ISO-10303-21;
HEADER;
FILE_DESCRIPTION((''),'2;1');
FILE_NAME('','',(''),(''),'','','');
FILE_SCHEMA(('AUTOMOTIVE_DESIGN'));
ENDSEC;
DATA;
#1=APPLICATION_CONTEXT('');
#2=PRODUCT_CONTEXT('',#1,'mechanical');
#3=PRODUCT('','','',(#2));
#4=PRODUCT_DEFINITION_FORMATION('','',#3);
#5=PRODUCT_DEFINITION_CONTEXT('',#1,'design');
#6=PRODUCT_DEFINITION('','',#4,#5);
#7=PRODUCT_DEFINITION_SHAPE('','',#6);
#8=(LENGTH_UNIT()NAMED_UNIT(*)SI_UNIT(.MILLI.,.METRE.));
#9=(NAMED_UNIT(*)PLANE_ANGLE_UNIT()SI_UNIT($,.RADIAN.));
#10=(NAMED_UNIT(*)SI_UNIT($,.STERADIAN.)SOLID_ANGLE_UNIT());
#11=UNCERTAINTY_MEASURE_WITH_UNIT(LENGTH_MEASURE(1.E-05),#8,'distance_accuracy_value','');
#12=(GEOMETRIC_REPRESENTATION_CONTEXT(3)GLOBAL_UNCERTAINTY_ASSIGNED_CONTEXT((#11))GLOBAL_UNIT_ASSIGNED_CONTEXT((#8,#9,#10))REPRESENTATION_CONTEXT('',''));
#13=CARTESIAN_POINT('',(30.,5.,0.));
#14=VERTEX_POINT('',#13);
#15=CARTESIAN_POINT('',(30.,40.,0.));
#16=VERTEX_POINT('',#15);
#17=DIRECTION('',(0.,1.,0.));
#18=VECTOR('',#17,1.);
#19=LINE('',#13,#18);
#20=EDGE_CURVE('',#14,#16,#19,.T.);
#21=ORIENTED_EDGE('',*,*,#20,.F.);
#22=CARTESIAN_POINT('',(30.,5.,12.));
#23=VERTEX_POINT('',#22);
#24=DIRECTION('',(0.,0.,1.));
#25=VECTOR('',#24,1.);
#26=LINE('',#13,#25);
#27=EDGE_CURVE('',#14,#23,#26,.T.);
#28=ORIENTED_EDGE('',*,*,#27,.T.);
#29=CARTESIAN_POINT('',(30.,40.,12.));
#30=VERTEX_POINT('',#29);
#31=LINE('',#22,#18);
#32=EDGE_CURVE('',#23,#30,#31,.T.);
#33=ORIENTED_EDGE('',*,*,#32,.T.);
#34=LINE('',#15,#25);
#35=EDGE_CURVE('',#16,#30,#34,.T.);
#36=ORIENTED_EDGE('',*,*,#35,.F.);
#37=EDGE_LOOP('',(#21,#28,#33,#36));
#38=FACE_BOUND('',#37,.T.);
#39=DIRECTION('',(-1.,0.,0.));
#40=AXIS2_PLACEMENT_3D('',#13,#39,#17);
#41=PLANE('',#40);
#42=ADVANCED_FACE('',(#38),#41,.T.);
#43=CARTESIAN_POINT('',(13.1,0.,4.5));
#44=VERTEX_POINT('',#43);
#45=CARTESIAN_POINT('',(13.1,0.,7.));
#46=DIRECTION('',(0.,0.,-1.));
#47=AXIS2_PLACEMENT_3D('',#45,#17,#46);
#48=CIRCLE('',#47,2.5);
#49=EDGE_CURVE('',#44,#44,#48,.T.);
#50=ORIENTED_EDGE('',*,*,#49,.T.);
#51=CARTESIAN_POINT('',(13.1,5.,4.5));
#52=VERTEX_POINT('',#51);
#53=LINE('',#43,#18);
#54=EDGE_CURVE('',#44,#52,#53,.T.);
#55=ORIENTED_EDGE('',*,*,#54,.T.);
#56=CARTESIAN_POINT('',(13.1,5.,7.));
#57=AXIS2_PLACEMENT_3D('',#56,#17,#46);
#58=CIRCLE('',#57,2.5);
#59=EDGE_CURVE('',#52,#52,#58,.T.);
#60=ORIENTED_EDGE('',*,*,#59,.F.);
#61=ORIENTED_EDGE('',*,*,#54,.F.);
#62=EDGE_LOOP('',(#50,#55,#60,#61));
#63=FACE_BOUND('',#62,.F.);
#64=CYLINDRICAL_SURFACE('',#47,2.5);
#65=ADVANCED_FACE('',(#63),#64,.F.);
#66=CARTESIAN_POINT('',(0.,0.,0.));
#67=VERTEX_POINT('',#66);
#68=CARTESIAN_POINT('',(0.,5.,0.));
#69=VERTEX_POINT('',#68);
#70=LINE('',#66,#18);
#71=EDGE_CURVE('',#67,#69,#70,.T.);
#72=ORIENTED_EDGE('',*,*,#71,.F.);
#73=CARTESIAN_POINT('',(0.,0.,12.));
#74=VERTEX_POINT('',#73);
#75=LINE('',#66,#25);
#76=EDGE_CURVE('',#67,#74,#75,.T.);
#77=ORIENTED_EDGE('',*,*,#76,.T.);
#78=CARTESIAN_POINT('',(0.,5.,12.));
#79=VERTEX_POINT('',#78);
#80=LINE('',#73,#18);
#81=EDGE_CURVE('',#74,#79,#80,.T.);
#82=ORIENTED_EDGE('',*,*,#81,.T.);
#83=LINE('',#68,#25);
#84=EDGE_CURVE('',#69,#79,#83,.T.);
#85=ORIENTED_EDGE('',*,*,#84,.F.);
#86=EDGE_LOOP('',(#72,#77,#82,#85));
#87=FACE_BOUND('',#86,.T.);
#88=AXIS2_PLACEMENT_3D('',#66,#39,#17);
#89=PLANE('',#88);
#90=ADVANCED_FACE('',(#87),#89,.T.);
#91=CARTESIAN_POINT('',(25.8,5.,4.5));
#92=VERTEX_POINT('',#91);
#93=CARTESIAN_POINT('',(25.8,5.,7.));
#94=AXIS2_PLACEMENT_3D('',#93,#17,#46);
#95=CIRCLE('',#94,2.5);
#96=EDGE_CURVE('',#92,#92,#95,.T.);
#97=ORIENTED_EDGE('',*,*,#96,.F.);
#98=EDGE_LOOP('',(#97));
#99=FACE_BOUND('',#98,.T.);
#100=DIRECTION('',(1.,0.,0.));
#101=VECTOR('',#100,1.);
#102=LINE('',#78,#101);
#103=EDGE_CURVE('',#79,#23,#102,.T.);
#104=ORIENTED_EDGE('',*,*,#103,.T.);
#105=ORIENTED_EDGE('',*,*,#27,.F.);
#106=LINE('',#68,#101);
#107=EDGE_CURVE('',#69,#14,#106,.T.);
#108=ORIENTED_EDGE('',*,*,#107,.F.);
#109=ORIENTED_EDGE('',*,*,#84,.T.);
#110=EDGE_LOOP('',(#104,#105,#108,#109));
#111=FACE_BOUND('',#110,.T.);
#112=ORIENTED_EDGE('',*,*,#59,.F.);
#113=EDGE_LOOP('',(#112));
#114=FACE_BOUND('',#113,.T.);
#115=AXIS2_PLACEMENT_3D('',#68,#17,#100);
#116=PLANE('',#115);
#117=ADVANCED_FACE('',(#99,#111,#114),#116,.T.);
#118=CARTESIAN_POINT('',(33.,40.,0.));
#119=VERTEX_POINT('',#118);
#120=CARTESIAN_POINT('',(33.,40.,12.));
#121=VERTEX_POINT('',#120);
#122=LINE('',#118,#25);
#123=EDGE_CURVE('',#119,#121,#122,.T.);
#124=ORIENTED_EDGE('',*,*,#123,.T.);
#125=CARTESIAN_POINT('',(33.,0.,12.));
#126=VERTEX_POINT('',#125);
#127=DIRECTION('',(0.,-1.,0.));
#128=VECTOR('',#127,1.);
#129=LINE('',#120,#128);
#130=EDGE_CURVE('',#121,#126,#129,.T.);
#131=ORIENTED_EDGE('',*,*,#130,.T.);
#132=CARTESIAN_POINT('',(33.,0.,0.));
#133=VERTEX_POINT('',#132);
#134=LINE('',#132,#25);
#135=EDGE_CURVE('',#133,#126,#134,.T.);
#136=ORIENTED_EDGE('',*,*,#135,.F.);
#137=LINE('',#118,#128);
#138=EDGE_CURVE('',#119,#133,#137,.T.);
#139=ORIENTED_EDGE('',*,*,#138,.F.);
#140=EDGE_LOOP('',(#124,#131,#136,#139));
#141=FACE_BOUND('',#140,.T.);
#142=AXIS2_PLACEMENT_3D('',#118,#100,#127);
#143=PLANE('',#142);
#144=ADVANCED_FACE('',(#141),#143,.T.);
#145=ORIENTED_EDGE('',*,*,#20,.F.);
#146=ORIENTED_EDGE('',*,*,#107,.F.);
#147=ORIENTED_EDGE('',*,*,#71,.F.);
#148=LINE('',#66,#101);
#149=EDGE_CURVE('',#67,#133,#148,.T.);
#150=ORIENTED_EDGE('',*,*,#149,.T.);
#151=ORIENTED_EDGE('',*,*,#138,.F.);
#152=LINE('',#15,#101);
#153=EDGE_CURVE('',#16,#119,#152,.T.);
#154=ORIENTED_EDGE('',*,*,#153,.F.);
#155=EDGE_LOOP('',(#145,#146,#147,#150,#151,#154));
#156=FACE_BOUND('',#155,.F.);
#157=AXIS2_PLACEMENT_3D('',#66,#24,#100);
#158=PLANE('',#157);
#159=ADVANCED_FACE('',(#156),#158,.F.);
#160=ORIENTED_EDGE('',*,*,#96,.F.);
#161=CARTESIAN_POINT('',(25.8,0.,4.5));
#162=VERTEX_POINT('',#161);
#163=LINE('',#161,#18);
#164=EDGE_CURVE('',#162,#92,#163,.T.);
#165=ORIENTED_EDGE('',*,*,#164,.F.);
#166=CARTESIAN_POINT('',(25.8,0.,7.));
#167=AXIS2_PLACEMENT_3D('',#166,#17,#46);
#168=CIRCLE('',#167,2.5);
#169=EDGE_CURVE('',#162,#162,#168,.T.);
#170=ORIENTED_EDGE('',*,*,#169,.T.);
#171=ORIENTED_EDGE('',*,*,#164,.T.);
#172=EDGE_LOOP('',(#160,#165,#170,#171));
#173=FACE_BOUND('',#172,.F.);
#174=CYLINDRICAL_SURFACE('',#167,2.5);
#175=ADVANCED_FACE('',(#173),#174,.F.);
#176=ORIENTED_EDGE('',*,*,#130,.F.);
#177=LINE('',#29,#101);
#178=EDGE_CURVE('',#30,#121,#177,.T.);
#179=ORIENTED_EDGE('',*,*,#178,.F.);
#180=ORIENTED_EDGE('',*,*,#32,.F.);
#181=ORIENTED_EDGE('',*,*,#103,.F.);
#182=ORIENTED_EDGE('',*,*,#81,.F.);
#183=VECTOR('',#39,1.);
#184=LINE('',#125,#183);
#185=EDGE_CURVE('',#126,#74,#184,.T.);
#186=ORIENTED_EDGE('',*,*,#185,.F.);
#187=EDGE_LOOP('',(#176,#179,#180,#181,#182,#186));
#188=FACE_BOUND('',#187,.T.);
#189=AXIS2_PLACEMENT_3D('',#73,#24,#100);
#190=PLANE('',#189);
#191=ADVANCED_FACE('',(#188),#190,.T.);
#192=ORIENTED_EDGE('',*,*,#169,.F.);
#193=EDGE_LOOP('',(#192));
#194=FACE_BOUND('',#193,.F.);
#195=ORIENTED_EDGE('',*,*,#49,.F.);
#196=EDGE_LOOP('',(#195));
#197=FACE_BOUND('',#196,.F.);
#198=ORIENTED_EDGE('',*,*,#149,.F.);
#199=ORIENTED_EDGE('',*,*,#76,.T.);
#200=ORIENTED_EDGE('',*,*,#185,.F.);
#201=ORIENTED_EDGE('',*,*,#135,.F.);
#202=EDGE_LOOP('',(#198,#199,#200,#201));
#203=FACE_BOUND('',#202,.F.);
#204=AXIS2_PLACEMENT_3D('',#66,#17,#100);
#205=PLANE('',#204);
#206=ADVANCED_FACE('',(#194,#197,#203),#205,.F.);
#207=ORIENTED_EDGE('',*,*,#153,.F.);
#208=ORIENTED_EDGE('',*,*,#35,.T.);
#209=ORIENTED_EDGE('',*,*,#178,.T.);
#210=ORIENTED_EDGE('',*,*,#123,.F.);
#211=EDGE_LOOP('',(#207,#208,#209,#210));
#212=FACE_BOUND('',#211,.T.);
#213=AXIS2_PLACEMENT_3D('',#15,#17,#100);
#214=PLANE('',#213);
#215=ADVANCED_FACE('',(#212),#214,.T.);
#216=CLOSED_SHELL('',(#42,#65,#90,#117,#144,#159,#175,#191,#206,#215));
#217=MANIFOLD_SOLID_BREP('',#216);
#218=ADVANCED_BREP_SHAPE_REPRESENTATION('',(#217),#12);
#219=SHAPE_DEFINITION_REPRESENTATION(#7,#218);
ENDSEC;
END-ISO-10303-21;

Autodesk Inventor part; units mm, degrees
ref_plane "YZ Plane" through (0, 0, 0) normal (1, 0, 0) x (0, 1, 0)
ref_plane "XZ Plane" through (0, 0, 0) normal (0, 1, 0) x (-1, 0, 0)
ref_plane "XY Plane" through (0, 0, 0) normal (0, 0, 1) x (1, 0, 0)
sketch "Sketch1" plane through (0, 0, 0) normal (0, 0, 1) x (1, 0, 0)
  line L0 (0, 0) -> (30, 0)
  line L1 (0, 0) -> (0, 5)
  line L2 (0, 5) -> (30, 5)
  line L3 (30, 5) -> (30, 0)
  line L4 (30, 5) -> (30, 40)
  line L5 (30, 40) -> (33, 40)
  line L6 (33, 40) -> (33, 0)
  line L7 (33, 0) -> (30, 0)
  point P0 (23.0555, 5)
  dimension "d0" = 30
  dimension "d2" = 5
  dimension "d11" = 35
  dimension "d12" = 3
extrude "Extrusion1" add sketch "Sketch1" along normal blind 12
sketch "Sketch2" plane through (0, 0, 0) normal (0, -1, 0) x (1, 0, 0)
  circle A0 centre (25.8, 7) radius 2.125
  line L0 (33, 0) -> (33, 12) projected
  line L1 (0, 12) -> (33, 12) projected
  circle A1 centre (13.1, 7) radius 2.125
  point P0 (0, 0)
  point P1 (33, 6)
  dimension "d13" = 4.25
  dimension "d14" = 7.2
  dimension "d15" = 5
  dimension "d23" = 4.25
  dimension "d24" = 19.9
  dimension "d25" = 5
hole "Hole1" at (25.8, 0, 7) at (13.1, 0, 7) direction (0, 1, 0) diameter 5 end through all
properties part number "Support"
